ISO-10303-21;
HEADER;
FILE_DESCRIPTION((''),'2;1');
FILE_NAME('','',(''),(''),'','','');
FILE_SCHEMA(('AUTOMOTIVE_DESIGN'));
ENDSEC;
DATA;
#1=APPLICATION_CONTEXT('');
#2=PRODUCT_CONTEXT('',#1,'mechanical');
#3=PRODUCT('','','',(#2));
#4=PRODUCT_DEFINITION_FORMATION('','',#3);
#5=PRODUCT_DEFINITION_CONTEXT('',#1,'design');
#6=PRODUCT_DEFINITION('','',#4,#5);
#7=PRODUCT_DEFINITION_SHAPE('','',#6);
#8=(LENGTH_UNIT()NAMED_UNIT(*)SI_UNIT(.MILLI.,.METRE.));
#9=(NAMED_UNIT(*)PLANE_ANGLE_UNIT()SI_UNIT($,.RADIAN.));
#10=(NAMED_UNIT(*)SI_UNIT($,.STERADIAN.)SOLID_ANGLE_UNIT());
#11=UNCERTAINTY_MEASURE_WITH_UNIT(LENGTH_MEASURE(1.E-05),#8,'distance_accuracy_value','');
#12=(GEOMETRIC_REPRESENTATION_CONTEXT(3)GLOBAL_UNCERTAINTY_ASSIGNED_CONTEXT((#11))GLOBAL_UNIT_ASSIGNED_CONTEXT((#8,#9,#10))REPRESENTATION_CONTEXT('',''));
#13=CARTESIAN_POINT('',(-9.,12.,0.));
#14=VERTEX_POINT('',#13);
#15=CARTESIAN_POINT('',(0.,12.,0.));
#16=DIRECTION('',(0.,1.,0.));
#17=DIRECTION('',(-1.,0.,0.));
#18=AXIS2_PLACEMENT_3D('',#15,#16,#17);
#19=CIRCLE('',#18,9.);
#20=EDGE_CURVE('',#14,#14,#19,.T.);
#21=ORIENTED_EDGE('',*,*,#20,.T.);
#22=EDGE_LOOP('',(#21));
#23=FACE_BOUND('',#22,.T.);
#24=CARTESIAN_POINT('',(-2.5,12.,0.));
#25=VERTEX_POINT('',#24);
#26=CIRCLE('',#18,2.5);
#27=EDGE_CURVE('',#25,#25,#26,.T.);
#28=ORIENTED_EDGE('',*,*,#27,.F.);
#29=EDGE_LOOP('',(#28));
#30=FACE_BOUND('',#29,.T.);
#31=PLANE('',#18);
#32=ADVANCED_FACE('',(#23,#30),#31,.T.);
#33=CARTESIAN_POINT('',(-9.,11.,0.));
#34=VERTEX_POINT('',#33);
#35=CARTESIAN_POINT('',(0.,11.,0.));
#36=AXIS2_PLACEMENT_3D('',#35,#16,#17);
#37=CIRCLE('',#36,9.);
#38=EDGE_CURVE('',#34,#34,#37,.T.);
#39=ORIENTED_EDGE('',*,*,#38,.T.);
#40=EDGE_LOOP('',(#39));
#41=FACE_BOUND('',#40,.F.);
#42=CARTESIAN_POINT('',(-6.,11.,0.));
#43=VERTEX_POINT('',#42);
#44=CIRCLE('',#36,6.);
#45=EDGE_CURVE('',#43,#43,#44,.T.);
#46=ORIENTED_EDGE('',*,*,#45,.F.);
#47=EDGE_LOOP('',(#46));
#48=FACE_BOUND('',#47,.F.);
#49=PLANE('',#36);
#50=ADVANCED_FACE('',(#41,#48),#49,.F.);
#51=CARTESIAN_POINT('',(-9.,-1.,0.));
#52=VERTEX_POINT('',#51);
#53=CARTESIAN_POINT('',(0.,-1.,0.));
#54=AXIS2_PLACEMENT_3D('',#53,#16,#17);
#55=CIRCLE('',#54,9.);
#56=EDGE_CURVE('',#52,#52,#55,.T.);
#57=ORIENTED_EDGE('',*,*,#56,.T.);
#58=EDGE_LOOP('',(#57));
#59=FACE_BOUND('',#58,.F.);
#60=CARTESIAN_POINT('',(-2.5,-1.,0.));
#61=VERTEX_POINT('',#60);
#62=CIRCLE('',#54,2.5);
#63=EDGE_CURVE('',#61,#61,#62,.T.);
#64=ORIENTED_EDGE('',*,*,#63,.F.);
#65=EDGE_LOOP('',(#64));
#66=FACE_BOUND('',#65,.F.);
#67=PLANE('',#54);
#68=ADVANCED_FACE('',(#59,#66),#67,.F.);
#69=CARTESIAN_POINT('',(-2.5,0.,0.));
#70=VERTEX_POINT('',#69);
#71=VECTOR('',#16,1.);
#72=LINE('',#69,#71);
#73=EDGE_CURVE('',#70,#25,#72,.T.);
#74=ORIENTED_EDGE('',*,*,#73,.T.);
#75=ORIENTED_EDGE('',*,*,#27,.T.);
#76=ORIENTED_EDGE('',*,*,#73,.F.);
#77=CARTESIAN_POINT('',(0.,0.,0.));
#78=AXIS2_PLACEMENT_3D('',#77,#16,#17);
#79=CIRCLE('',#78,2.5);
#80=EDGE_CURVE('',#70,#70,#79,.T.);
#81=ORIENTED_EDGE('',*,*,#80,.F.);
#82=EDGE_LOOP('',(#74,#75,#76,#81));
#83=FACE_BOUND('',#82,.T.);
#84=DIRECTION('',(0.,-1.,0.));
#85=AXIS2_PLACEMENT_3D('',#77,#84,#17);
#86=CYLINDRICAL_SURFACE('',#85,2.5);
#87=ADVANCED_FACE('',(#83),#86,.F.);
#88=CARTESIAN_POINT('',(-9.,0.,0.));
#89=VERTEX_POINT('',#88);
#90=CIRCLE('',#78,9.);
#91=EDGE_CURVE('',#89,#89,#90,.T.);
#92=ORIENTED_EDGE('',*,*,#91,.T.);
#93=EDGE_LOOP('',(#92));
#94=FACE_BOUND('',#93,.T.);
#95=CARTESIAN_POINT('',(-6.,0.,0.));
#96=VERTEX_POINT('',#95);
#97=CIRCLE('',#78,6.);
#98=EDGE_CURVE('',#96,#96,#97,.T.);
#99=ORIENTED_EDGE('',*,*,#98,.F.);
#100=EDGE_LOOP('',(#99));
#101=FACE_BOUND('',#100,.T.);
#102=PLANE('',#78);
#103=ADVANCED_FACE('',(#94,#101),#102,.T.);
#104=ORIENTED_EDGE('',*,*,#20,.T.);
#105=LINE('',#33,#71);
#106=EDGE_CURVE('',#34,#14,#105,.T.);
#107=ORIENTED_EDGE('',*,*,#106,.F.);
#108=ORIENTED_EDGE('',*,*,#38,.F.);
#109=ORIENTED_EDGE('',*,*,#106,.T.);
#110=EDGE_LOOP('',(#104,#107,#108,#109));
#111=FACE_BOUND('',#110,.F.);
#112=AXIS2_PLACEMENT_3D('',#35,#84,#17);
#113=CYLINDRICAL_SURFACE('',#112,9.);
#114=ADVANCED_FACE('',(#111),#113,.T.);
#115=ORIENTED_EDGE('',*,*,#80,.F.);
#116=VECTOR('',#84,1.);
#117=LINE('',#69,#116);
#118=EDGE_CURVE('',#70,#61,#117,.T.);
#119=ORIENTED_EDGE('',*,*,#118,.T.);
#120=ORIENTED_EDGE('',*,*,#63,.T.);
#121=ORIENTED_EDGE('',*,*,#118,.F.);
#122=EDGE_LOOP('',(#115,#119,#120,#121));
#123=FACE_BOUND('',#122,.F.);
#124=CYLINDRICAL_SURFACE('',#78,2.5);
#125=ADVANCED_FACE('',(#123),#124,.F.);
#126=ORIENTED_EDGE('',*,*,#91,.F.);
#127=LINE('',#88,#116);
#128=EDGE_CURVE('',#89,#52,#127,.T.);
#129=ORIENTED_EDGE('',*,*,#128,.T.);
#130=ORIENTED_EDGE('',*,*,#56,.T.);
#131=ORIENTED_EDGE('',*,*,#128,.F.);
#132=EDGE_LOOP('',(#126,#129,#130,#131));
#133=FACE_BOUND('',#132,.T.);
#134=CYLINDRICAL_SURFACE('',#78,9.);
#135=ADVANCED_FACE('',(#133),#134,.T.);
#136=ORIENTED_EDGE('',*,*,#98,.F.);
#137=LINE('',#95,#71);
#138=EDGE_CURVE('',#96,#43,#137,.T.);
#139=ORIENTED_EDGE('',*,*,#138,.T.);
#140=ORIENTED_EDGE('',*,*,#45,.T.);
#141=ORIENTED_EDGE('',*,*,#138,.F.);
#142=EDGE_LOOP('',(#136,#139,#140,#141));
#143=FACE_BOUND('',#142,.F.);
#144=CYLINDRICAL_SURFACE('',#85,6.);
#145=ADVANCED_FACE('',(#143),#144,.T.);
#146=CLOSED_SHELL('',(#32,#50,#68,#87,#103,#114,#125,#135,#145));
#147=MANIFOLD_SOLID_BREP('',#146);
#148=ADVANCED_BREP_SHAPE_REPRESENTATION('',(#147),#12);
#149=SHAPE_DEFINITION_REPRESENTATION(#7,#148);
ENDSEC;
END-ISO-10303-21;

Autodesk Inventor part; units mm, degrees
ref_plane "YZ Plane" through (0, 0, 0) normal (1, 0, 0) x (0, 1, 0)
ref_plane "XZ Plane" through (0, 0, 0) normal (0, 1, 0) x (-1, 0, 0)
ref_plane "XY Plane" through (0, 0, 0) normal (0, 0, 1) x (1, 0, 0)
sketch "Sketch1" plane through (0, 0, 0) normal (0, 1, 0) x (-1, 0, 0)
  circle A0 centre (0, 0) radius 2.5
  circle A1 centre (0, 0) radius 9
  circle A2 centre (0, 0) radius 6
  dimension "d0" = 5
  dimension "d1" = 18
  dimension "d2" = 12
extrude "Extrusion1" add sketch "Sketch1" along normal blind 11 contours A2
extrude "Extrusion2" add sketch "Sketch1" along normal blind 1 from surface at 11 contours A1 | A2
extrude "Extrusion3" add sketch "Sketch1" against normal blind 1 contours A1 | A2
properties part number "Idler"
